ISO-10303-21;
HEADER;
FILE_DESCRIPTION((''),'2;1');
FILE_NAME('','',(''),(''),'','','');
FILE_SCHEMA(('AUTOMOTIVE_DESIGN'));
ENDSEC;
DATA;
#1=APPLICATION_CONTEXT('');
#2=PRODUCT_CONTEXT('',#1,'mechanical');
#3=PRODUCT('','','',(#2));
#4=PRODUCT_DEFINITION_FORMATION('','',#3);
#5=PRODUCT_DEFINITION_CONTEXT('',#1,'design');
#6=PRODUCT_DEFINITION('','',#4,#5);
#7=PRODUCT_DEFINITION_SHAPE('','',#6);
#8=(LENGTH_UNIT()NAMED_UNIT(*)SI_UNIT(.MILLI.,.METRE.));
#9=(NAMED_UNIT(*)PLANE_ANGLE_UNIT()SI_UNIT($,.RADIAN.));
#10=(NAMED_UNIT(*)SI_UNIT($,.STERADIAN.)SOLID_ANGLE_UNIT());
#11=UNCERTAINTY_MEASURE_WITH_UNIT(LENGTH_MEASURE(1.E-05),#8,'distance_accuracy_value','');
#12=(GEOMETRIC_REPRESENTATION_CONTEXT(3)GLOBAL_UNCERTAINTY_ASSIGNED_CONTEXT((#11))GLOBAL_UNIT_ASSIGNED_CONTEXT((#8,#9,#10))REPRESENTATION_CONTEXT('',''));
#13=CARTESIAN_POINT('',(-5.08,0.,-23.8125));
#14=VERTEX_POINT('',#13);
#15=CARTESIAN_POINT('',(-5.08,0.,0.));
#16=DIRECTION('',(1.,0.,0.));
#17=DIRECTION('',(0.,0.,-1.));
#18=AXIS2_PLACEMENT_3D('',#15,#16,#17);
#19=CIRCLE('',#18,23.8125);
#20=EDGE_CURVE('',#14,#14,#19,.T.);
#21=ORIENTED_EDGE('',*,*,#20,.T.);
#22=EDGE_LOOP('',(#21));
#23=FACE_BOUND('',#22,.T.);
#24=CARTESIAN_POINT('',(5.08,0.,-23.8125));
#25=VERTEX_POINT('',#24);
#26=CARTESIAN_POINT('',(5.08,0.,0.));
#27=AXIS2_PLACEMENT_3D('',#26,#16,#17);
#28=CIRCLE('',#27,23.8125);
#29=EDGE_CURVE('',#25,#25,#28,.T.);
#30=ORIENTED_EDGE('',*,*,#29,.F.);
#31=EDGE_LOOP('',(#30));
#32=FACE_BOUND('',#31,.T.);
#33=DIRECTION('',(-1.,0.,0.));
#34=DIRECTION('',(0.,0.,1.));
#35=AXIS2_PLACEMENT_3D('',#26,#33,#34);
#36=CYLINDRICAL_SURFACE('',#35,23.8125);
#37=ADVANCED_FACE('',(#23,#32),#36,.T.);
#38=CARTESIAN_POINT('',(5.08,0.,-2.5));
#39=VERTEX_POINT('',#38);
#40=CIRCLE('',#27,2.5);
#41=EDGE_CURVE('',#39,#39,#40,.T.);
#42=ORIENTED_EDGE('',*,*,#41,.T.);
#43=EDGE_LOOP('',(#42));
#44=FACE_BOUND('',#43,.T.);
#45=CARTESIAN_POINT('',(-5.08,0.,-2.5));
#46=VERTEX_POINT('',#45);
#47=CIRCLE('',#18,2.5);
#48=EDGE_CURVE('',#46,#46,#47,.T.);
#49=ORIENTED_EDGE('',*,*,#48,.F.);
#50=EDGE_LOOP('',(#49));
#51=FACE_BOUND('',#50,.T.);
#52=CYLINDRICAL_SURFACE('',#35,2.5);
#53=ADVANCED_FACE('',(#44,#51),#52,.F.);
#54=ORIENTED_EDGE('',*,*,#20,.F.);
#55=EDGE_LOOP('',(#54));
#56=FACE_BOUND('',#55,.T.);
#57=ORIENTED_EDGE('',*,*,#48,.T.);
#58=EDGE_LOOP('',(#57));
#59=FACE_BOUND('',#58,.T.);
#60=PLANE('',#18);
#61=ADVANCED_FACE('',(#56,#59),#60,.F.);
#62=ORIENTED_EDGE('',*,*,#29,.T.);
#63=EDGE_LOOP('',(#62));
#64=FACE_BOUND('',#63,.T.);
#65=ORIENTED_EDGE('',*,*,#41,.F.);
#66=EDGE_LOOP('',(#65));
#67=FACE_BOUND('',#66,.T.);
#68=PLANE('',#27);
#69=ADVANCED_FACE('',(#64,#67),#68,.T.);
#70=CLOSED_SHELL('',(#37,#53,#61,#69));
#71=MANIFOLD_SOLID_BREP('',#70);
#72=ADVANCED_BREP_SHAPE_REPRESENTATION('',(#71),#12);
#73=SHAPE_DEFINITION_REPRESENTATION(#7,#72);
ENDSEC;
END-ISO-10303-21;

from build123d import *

# Parameters (mm, degrees)
SKETCH1_R           = 23.8125
SKETCH1_R_2         = 2.5
BOSS_EXTRUDE1_DEPTH = 5.08


with BuildPart() as part:
    # Sketch1 → Boss-Extrude1 (new body, symmetric)
    with BuildSketch(Plane(origin=(0, 0, 0), x_dir=(0, 0, -1), z_dir=(1, 0, 0))):
        Circle(SKETCH1_R)
        Circle(SKETCH1_R_2, mode=Mode.SUBTRACT)
    extrude(amount=BOSS_EXTRUDE1_DEPTH, both=True)


solid = part.part
